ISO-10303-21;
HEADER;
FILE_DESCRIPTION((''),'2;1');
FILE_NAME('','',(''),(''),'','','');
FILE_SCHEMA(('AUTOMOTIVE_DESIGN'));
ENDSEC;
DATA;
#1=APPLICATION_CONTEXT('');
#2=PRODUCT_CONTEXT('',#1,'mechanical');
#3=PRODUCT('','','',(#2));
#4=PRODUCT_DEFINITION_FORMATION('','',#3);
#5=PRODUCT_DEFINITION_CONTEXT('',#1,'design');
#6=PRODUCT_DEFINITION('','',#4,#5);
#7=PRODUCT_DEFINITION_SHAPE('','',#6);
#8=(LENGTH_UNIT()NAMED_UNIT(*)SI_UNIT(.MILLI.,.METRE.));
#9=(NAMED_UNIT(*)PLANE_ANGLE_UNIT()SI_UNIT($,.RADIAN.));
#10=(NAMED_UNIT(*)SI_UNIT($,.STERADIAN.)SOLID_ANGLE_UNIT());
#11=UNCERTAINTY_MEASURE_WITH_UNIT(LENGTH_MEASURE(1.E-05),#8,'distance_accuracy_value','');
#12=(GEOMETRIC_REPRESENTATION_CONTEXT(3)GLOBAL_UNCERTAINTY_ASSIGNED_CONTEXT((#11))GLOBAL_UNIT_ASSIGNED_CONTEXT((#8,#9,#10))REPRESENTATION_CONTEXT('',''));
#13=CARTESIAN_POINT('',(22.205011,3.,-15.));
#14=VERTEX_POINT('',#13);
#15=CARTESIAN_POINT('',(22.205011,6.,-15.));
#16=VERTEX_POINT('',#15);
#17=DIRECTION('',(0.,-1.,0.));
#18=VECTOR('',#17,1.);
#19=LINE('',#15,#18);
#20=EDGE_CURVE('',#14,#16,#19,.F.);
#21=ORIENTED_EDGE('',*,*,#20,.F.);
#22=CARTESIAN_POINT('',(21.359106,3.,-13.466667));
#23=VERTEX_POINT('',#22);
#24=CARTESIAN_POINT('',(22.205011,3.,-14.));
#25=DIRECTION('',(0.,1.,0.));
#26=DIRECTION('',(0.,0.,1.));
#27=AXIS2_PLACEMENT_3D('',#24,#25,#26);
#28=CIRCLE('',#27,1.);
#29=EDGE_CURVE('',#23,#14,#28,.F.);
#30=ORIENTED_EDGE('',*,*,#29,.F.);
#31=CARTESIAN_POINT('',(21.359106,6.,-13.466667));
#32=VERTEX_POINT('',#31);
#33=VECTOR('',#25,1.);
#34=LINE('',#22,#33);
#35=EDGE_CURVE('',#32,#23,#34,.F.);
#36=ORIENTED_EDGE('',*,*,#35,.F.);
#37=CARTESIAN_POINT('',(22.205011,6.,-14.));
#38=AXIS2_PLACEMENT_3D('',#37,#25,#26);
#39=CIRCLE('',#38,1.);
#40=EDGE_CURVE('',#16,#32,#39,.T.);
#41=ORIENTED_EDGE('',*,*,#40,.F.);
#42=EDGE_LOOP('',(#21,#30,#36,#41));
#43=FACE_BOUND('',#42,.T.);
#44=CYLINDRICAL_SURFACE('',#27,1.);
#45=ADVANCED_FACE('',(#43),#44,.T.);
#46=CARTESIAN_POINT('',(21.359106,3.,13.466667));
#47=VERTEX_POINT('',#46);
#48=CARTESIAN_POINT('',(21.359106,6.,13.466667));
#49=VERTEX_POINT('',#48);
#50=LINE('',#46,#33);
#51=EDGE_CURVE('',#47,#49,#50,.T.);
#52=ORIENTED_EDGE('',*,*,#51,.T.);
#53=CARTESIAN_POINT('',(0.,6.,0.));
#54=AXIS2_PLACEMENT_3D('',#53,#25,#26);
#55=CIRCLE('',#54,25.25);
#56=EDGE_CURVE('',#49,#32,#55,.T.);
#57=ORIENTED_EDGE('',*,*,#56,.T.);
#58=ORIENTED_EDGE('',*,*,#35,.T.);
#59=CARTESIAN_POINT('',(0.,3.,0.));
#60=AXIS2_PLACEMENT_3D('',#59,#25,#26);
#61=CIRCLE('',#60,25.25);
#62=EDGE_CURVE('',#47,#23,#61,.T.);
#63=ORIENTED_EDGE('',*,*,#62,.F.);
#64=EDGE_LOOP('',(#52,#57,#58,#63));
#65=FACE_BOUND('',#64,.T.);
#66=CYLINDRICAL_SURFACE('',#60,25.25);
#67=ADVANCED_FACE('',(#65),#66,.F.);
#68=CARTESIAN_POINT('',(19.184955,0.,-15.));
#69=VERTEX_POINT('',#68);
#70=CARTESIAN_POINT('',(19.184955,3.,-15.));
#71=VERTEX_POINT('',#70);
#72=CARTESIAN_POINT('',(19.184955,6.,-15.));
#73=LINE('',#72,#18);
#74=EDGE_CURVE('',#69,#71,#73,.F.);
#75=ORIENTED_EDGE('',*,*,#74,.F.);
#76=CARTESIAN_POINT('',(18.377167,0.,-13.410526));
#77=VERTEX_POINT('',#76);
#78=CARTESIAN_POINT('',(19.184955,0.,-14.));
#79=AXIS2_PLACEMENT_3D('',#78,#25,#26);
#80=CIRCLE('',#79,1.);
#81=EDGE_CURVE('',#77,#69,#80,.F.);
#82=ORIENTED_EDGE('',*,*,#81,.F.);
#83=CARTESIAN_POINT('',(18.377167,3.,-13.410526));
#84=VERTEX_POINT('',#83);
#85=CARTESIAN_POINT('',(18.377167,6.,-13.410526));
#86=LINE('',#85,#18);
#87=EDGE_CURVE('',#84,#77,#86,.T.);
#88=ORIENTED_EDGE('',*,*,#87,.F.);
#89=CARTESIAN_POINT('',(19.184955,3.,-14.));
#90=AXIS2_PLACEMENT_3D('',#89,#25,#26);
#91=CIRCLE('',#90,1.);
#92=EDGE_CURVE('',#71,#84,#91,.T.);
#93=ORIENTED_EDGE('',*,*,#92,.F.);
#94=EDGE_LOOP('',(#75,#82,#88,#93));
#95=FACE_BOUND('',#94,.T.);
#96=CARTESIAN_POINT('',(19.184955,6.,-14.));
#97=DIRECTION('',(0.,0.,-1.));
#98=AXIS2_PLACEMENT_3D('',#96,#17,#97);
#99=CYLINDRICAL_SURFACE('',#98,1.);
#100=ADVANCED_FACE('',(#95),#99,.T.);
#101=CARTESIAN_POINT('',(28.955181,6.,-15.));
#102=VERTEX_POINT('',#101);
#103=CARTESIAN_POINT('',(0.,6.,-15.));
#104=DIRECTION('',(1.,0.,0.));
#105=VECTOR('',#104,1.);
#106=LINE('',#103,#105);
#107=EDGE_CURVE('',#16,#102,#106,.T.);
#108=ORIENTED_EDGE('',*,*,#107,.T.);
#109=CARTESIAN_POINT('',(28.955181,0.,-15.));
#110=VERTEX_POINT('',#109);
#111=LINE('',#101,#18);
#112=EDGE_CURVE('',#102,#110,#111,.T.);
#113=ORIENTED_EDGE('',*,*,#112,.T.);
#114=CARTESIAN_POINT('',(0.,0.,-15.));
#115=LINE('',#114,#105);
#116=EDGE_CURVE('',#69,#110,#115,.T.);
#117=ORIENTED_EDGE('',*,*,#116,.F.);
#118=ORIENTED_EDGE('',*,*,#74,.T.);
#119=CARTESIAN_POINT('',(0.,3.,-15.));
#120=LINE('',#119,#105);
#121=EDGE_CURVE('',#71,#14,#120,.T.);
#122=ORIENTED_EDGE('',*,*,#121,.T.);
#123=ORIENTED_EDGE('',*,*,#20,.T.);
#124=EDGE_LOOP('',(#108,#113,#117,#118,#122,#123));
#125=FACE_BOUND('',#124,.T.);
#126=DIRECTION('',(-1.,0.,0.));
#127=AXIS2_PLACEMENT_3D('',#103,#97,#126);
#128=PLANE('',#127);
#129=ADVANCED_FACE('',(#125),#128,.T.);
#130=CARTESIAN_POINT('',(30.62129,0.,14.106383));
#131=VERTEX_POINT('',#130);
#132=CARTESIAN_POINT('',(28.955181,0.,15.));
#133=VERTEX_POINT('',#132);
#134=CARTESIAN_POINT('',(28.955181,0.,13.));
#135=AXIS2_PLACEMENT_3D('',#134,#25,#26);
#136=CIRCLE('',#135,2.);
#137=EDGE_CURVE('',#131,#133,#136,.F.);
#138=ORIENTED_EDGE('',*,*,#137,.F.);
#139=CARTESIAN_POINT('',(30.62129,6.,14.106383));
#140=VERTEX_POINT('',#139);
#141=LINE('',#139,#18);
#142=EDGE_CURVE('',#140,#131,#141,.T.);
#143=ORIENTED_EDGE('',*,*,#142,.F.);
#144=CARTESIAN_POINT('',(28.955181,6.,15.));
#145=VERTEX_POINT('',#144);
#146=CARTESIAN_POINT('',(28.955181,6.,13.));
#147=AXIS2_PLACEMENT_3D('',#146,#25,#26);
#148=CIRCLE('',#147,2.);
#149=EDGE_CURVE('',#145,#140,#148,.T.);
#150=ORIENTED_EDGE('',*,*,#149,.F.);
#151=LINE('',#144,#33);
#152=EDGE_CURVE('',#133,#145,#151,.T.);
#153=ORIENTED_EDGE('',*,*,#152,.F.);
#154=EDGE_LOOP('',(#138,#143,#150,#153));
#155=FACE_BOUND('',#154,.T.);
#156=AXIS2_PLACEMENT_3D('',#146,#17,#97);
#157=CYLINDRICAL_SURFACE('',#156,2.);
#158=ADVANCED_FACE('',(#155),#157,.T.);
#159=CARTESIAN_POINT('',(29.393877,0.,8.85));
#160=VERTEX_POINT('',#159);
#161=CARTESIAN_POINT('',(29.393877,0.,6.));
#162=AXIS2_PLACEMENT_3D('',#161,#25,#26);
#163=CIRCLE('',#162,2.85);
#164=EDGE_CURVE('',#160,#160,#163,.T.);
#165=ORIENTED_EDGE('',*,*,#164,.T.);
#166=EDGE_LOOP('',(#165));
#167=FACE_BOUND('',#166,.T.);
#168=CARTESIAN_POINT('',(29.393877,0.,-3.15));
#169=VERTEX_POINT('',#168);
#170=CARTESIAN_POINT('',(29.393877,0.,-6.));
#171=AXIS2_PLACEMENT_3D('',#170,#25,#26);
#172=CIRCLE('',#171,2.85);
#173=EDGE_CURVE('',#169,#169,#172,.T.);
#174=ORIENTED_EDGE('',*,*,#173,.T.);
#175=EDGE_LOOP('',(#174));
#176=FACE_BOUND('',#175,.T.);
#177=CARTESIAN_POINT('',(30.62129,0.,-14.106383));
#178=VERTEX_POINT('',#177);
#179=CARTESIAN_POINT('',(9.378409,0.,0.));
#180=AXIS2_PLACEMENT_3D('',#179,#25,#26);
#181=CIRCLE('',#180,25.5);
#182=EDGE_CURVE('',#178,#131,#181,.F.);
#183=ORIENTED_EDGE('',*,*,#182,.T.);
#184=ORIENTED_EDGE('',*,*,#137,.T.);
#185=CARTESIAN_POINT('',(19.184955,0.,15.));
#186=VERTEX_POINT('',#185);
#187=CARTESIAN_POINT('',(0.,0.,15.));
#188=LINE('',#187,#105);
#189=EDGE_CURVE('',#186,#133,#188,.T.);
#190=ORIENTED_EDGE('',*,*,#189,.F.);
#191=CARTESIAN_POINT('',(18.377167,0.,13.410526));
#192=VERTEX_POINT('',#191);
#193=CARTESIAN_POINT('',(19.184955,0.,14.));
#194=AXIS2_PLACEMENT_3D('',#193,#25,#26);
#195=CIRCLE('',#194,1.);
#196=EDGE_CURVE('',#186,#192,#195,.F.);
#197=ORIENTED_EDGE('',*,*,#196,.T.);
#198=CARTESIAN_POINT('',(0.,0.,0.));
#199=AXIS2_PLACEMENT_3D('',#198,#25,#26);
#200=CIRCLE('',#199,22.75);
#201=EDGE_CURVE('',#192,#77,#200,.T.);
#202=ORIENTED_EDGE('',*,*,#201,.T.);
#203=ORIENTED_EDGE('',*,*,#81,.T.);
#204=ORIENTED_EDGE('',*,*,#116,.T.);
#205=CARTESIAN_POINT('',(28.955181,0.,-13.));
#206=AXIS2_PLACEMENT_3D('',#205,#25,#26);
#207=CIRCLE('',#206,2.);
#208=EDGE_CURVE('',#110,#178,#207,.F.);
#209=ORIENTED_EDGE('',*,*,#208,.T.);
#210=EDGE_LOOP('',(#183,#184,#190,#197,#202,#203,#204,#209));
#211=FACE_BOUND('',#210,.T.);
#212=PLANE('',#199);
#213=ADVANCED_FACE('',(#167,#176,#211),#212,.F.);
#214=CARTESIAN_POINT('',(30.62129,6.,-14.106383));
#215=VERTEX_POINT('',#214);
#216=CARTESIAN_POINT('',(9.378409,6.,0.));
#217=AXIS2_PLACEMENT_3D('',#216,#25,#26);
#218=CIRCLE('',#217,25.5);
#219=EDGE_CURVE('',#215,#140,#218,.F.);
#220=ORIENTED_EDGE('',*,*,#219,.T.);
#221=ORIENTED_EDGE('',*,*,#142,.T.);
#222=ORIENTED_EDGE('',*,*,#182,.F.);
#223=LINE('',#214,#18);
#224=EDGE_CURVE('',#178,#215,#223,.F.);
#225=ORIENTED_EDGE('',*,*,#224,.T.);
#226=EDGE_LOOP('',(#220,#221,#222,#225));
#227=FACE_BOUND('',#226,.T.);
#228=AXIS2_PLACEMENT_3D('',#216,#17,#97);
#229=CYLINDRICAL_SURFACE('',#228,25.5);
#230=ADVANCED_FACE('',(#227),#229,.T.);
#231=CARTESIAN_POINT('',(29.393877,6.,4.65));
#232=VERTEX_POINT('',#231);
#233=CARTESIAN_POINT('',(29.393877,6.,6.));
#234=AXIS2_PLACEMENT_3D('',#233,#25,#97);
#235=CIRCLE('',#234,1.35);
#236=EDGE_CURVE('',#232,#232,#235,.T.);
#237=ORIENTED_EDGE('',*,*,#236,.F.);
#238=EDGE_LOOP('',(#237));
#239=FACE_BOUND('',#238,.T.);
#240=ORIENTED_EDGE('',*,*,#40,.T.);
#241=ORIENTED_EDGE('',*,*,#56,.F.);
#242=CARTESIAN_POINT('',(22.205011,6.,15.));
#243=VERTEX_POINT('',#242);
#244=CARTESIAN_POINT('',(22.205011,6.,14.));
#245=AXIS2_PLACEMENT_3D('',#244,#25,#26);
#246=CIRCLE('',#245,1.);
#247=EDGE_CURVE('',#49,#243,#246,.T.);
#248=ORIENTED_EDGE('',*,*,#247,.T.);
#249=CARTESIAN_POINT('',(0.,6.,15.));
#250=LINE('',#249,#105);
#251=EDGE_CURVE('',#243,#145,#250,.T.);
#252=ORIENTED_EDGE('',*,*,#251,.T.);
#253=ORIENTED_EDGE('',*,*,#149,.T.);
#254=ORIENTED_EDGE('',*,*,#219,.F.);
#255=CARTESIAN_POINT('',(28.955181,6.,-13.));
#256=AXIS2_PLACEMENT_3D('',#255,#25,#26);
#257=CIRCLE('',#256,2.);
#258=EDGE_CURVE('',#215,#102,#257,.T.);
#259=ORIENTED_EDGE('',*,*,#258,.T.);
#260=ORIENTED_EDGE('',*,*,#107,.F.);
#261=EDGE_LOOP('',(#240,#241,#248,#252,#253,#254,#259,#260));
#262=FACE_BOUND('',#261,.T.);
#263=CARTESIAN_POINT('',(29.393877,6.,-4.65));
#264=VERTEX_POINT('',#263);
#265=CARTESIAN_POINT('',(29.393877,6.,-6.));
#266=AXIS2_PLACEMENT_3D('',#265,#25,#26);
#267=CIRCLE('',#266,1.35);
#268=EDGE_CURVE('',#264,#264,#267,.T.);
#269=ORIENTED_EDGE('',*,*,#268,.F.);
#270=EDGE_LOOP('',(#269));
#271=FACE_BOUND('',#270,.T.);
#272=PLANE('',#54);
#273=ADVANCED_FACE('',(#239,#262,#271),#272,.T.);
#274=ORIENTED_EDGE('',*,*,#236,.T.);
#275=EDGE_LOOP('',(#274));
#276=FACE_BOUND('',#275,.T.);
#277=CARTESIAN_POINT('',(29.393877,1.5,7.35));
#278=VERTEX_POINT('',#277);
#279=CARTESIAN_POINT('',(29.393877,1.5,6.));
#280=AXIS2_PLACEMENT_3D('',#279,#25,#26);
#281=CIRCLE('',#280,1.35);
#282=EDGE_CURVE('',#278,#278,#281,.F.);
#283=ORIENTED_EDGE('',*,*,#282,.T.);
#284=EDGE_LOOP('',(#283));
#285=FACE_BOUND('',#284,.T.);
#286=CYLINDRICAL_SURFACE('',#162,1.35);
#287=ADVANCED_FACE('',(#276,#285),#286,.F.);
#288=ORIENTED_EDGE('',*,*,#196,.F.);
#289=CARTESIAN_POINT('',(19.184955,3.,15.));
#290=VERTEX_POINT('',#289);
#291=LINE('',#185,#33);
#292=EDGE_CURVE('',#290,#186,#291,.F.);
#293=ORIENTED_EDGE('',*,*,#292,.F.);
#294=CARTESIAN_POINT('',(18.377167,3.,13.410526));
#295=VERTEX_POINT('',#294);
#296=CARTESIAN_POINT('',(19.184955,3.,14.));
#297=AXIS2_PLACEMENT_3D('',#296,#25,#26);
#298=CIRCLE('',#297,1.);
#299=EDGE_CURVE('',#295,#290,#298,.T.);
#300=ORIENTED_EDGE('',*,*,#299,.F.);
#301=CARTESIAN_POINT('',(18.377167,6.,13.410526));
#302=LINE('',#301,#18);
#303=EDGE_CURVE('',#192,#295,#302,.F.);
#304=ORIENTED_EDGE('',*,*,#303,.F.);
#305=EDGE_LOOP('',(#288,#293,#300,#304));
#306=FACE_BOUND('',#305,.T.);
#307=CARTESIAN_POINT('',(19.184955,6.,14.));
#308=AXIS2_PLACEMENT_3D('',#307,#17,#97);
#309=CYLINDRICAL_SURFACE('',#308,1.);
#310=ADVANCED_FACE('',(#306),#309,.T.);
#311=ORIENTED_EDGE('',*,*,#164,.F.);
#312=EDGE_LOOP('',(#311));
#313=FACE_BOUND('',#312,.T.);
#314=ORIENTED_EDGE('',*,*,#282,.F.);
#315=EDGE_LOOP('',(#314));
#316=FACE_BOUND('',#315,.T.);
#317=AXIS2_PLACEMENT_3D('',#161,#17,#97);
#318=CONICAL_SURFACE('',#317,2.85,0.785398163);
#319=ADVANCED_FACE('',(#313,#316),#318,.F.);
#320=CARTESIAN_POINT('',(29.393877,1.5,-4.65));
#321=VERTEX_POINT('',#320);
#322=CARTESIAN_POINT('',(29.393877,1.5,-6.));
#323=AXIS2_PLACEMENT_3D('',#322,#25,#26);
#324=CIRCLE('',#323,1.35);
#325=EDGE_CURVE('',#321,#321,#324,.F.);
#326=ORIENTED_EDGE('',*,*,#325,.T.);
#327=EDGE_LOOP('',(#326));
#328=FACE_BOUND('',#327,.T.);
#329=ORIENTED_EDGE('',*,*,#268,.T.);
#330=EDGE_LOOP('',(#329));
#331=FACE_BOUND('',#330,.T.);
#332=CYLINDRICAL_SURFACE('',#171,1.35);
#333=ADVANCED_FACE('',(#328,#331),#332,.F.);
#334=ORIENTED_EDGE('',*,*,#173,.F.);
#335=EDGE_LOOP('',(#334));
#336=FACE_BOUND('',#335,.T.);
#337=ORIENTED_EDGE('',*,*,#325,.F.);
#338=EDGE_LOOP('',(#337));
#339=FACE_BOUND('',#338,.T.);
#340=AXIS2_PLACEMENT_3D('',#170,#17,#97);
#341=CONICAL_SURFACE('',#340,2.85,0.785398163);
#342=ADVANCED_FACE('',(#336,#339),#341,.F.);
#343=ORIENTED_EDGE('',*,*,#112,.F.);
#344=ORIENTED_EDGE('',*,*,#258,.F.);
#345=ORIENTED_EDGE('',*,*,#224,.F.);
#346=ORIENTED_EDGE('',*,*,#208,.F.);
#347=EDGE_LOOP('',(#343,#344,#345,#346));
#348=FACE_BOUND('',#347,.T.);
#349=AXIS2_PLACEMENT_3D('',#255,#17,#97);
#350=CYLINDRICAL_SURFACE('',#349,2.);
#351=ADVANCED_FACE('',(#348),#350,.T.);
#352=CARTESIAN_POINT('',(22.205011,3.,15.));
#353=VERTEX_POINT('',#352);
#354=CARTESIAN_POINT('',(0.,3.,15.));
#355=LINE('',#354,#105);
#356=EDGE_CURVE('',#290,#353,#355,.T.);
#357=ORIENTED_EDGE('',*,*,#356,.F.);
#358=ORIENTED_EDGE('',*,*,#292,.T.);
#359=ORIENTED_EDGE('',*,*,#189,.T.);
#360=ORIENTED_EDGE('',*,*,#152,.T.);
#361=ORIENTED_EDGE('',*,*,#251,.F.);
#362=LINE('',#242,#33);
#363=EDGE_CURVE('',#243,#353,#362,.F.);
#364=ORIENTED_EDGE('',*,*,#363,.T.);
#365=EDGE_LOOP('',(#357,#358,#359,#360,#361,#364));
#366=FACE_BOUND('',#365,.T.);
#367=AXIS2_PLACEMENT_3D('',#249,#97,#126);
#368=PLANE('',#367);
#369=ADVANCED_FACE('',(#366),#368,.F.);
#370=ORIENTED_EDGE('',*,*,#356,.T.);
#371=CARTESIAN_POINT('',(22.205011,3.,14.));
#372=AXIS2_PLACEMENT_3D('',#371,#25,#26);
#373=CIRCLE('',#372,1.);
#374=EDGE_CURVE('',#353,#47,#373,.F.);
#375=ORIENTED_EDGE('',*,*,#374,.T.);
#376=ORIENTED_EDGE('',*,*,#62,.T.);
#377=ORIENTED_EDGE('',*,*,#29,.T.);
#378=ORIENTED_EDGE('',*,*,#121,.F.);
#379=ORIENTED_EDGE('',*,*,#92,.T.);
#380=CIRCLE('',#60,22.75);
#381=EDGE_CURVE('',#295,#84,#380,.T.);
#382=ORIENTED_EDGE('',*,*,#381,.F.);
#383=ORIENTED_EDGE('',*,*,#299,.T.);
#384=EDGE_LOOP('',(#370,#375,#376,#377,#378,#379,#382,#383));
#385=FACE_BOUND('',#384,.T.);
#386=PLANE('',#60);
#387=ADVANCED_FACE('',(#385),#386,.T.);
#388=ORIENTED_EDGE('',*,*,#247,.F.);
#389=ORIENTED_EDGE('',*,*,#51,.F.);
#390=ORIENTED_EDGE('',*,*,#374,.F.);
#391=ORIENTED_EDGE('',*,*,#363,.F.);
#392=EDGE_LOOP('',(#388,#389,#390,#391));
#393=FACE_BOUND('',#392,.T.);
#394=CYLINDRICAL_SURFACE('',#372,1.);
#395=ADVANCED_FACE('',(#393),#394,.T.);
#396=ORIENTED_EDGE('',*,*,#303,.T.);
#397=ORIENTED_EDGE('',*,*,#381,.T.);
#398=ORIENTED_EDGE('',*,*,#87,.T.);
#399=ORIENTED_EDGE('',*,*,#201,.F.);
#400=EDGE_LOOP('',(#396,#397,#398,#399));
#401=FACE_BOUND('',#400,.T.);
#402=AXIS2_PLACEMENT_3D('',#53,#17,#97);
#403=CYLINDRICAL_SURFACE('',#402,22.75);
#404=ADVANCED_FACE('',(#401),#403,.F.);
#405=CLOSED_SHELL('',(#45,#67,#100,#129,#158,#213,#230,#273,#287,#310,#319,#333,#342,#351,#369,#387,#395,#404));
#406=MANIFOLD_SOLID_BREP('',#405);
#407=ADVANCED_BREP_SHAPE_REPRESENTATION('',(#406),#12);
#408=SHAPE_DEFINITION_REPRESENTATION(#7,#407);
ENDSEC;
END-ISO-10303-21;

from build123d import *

# Parameters (mm, degrees)
EXTRUDE_1_DEPTH     = 6
SKETCH_2_R          = 25.25
SKETCH_2_R_2        = 22.75
CUT_EXTRUDE_1_DEPTH = 3
FILLET_1_R          = 1
FILLET_2_R          = 2
SKETCH_3_R          = 1.35
CUT_EXTRUDE_2_DEPTH = 7
CHAMFER_1_SIZE      = 1.5


with BuildPart() as part:
    # Эскиз1 → Бобышка-Вытянуть1 (new body)
    with BuildSketch(Plane(origin=(0, 0, 0), x_dir=(1, 0, 0), z_dir=(0, 1, 0))):
        with BuildLine():
            ThreePointArc((22.75, 0), (21.291887311, -8.013615586), (17.104458483, -15))
            Line((17.104458483, -15), (30, -15))
            ThreePointArc((30, -15), (34.878409373, 0), (30, 15))
            Line((30, 15), (17.104458483, 15))
            ThreePointArc((17.104458483, 15), (21.291887311, 8.013615586), (22.75, 0))
        make_face()
    extrude(amount=EXTRUDE_1_DEPTH)

    # Эскиз2 → Вырез-Вытянуть1 (cut)
    with BuildSketch(Plane(origin=(0, 6, 0), x_dir=(1, 0, 0), z_dir=(0, 1, 0))):
        Circle(SKETCH_2_R)
        Circle(SKETCH_2_R_2, mode=Mode.SUBTRACT)
    extrude(amount=-CUT_EXTRUDE_1_DEPTH, mode=Mode.SUBTRACT)

    # Скругление1
    fillet_1_edges = [part.edges().sort_by_distance(p)[0] for p in [
        (17.104458483, 1.5, -15),
        (17.104458483, 1.5, 15),
        (20.311634597, 4.5, 15),
        (20.311634597, 4.5, -15),
    ]]
    fillet(fillet_1_edges, radius=FILLET_1_R)

    # Скругление2
    fillet_2_edges = [part.edges().sort_by_distance(p)[0] for p in [
        (30, 3, -15),
        (30, 3, 15),
    ]]
    fillet(fillet_2_edges, radius=FILLET_2_R)

    # Эскиз3 → Вырез-Вытянуть2 (cut, through all)
    with BuildSketch(Plane(origin=(0, 6, 0), x_dir=(1, 0, 0), z_dir=(0, 1, 0))):
        with Locations((29.393876913, 6)):
            Circle(SKETCH_3_R)
        with Locations((29.393876913, -6)):
            Circle(SKETCH_3_R)
    extrude(amount=-CUT_EXTRUDE_2_DEPTH, mode=Mode.SUBTRACT)

    # Фаска1
    chamfer_1_edges = [part.edges().sort_by_distance(p)[0] for p in [
        (28.043876913, 0, -6),
        (28.043876913, 0, 6),
    ]]
    chamfer(chamfer_1_edges, length=CHAMFER_1_SIZE)


solid = part.part
